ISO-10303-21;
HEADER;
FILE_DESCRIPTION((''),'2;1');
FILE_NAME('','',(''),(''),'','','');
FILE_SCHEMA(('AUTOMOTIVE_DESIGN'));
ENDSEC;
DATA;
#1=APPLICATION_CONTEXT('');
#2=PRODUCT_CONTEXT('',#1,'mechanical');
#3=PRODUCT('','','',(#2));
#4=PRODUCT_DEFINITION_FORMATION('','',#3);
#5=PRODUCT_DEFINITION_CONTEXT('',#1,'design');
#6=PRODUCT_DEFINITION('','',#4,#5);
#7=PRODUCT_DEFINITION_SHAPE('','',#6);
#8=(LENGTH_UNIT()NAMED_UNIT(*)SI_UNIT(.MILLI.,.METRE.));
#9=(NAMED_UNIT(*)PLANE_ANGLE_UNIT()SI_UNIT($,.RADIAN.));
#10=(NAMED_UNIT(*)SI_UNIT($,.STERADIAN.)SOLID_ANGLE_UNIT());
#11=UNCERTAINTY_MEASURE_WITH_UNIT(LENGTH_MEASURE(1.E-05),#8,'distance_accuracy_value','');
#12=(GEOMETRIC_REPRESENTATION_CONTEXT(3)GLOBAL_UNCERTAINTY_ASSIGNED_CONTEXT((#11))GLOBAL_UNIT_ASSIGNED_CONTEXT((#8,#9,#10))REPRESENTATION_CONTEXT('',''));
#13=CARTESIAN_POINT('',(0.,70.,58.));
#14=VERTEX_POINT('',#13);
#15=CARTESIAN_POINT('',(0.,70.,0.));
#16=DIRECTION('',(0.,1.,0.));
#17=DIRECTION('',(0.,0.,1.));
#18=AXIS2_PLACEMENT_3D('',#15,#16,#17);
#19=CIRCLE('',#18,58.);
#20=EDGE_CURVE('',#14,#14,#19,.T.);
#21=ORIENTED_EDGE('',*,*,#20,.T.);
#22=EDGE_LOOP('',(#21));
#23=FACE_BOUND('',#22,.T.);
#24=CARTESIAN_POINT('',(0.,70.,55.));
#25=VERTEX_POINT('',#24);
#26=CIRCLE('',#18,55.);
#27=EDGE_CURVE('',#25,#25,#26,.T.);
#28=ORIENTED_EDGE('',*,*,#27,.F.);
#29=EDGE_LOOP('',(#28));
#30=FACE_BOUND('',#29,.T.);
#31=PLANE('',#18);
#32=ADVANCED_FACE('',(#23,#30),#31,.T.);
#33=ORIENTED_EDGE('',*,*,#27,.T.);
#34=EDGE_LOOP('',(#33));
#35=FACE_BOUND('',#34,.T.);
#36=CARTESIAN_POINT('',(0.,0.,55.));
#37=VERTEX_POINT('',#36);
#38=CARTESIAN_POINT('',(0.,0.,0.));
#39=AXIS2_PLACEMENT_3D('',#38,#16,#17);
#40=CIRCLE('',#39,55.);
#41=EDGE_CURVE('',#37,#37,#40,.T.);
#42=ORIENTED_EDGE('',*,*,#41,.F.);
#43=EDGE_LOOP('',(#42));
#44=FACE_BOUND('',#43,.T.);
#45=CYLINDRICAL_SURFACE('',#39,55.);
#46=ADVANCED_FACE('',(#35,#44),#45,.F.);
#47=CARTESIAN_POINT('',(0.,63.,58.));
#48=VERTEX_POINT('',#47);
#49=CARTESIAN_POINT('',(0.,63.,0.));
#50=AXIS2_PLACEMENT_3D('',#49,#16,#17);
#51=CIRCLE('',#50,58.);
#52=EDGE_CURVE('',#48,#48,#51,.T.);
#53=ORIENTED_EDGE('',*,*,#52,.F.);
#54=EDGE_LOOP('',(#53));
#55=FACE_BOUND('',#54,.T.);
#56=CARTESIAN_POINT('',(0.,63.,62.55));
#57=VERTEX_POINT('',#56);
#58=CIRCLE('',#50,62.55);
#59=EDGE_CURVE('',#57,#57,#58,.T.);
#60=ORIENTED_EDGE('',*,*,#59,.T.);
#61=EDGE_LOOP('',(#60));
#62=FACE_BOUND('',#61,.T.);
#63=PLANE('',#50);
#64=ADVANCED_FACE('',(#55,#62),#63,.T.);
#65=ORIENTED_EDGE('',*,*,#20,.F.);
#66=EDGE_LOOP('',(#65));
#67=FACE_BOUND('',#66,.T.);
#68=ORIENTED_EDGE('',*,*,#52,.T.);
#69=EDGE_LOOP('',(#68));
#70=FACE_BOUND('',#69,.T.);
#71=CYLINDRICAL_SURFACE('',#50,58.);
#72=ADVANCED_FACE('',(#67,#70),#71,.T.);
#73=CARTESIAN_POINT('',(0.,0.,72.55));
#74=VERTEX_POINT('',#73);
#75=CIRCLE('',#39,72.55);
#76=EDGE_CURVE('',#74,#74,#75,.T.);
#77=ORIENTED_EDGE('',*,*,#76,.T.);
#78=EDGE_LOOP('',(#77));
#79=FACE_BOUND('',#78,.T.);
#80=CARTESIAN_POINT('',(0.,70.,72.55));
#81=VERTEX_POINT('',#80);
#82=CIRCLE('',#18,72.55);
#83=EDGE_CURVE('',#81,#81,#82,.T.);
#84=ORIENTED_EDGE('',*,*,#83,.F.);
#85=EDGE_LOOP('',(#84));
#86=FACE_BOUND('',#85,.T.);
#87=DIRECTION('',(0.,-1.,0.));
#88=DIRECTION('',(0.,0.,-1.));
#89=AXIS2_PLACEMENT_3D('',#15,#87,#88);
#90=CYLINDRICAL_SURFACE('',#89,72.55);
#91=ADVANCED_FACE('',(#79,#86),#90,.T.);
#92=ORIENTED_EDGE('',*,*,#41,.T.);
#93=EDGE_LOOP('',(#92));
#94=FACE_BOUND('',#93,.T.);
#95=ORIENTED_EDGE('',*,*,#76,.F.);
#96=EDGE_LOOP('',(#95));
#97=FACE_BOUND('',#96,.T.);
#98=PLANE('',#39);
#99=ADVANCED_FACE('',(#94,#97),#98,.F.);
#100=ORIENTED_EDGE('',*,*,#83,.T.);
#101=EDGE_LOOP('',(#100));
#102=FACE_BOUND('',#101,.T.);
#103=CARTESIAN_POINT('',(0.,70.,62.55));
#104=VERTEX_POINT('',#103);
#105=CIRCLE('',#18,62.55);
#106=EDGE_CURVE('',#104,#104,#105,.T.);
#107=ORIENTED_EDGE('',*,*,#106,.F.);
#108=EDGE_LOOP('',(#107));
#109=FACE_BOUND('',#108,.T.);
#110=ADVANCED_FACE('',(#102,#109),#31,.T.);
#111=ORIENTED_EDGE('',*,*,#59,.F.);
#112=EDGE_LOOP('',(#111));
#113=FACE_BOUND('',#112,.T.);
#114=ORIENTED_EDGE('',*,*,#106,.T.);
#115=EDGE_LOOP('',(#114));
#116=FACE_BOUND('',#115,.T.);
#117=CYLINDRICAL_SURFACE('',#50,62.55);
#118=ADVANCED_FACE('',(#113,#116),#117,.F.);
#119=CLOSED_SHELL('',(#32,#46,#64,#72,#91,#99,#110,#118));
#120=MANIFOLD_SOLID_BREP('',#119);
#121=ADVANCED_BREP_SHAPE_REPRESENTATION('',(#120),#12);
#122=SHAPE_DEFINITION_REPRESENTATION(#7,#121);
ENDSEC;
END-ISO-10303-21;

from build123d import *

# Parameters (mm, degrees)
SKETCH_4_R            = 72.55
EXTRUDE_297_DEPTH     = 70
SKETCH_8_R            = 62.55
SKETCH_8_R_2          = 58
CUT_EXTRUDE_406_DEPTH = 7
SKETCH_9_R            = 55
CUT_EXTRUDE_3_DEPTH   = 70


with BuildPart() as part:
    # 草圖4 → Extrude 297 (new body)
    with BuildSketch(Plane(origin=(0, 0, 0), x_dir=(1, 0, 0), z_dir=(0, 1, 0))):
        with Locations(Location((0, 0, 0), (0, 0, 270))):
            Circle(SKETCH_4_R)
    extrude(amount=EXTRUDE_297_DEPTH)

    # 草圖8 → Cut-Extrude 406 (cut)
    with BuildSketch(Plane(origin=(0, 70, 0), x_dir=(1, 0, 0), z_dir=(0, 1, 0))):
        with Locations(Location((0, 0, 0), (0, 0, 270))):
            Circle(SKETCH_8_R)
        with Locations(Location((0, 0, 0), (0, 0, 270))):
            Circle(SKETCH_8_R_2, mode=Mode.SUBTRACT)
    extrude(amount=-CUT_EXTRUDE_406_DEPTH, mode=Mode.SUBTRACT)

    # 草圖9 → 除料-伸長3 (cut)
    with BuildSketch(Plane(origin=(0, 70, 0), x_dir=(1, 0, 0), z_dir=(0, 1, 0))):
        with Locations(Location((0, 0, 0), (0, 0, 270))):
            Circle(SKETCH_9_R)
    extrude(amount=-CUT_EXTRUDE_3_DEPTH, mode=Mode.SUBTRACT)


solid = part.part
